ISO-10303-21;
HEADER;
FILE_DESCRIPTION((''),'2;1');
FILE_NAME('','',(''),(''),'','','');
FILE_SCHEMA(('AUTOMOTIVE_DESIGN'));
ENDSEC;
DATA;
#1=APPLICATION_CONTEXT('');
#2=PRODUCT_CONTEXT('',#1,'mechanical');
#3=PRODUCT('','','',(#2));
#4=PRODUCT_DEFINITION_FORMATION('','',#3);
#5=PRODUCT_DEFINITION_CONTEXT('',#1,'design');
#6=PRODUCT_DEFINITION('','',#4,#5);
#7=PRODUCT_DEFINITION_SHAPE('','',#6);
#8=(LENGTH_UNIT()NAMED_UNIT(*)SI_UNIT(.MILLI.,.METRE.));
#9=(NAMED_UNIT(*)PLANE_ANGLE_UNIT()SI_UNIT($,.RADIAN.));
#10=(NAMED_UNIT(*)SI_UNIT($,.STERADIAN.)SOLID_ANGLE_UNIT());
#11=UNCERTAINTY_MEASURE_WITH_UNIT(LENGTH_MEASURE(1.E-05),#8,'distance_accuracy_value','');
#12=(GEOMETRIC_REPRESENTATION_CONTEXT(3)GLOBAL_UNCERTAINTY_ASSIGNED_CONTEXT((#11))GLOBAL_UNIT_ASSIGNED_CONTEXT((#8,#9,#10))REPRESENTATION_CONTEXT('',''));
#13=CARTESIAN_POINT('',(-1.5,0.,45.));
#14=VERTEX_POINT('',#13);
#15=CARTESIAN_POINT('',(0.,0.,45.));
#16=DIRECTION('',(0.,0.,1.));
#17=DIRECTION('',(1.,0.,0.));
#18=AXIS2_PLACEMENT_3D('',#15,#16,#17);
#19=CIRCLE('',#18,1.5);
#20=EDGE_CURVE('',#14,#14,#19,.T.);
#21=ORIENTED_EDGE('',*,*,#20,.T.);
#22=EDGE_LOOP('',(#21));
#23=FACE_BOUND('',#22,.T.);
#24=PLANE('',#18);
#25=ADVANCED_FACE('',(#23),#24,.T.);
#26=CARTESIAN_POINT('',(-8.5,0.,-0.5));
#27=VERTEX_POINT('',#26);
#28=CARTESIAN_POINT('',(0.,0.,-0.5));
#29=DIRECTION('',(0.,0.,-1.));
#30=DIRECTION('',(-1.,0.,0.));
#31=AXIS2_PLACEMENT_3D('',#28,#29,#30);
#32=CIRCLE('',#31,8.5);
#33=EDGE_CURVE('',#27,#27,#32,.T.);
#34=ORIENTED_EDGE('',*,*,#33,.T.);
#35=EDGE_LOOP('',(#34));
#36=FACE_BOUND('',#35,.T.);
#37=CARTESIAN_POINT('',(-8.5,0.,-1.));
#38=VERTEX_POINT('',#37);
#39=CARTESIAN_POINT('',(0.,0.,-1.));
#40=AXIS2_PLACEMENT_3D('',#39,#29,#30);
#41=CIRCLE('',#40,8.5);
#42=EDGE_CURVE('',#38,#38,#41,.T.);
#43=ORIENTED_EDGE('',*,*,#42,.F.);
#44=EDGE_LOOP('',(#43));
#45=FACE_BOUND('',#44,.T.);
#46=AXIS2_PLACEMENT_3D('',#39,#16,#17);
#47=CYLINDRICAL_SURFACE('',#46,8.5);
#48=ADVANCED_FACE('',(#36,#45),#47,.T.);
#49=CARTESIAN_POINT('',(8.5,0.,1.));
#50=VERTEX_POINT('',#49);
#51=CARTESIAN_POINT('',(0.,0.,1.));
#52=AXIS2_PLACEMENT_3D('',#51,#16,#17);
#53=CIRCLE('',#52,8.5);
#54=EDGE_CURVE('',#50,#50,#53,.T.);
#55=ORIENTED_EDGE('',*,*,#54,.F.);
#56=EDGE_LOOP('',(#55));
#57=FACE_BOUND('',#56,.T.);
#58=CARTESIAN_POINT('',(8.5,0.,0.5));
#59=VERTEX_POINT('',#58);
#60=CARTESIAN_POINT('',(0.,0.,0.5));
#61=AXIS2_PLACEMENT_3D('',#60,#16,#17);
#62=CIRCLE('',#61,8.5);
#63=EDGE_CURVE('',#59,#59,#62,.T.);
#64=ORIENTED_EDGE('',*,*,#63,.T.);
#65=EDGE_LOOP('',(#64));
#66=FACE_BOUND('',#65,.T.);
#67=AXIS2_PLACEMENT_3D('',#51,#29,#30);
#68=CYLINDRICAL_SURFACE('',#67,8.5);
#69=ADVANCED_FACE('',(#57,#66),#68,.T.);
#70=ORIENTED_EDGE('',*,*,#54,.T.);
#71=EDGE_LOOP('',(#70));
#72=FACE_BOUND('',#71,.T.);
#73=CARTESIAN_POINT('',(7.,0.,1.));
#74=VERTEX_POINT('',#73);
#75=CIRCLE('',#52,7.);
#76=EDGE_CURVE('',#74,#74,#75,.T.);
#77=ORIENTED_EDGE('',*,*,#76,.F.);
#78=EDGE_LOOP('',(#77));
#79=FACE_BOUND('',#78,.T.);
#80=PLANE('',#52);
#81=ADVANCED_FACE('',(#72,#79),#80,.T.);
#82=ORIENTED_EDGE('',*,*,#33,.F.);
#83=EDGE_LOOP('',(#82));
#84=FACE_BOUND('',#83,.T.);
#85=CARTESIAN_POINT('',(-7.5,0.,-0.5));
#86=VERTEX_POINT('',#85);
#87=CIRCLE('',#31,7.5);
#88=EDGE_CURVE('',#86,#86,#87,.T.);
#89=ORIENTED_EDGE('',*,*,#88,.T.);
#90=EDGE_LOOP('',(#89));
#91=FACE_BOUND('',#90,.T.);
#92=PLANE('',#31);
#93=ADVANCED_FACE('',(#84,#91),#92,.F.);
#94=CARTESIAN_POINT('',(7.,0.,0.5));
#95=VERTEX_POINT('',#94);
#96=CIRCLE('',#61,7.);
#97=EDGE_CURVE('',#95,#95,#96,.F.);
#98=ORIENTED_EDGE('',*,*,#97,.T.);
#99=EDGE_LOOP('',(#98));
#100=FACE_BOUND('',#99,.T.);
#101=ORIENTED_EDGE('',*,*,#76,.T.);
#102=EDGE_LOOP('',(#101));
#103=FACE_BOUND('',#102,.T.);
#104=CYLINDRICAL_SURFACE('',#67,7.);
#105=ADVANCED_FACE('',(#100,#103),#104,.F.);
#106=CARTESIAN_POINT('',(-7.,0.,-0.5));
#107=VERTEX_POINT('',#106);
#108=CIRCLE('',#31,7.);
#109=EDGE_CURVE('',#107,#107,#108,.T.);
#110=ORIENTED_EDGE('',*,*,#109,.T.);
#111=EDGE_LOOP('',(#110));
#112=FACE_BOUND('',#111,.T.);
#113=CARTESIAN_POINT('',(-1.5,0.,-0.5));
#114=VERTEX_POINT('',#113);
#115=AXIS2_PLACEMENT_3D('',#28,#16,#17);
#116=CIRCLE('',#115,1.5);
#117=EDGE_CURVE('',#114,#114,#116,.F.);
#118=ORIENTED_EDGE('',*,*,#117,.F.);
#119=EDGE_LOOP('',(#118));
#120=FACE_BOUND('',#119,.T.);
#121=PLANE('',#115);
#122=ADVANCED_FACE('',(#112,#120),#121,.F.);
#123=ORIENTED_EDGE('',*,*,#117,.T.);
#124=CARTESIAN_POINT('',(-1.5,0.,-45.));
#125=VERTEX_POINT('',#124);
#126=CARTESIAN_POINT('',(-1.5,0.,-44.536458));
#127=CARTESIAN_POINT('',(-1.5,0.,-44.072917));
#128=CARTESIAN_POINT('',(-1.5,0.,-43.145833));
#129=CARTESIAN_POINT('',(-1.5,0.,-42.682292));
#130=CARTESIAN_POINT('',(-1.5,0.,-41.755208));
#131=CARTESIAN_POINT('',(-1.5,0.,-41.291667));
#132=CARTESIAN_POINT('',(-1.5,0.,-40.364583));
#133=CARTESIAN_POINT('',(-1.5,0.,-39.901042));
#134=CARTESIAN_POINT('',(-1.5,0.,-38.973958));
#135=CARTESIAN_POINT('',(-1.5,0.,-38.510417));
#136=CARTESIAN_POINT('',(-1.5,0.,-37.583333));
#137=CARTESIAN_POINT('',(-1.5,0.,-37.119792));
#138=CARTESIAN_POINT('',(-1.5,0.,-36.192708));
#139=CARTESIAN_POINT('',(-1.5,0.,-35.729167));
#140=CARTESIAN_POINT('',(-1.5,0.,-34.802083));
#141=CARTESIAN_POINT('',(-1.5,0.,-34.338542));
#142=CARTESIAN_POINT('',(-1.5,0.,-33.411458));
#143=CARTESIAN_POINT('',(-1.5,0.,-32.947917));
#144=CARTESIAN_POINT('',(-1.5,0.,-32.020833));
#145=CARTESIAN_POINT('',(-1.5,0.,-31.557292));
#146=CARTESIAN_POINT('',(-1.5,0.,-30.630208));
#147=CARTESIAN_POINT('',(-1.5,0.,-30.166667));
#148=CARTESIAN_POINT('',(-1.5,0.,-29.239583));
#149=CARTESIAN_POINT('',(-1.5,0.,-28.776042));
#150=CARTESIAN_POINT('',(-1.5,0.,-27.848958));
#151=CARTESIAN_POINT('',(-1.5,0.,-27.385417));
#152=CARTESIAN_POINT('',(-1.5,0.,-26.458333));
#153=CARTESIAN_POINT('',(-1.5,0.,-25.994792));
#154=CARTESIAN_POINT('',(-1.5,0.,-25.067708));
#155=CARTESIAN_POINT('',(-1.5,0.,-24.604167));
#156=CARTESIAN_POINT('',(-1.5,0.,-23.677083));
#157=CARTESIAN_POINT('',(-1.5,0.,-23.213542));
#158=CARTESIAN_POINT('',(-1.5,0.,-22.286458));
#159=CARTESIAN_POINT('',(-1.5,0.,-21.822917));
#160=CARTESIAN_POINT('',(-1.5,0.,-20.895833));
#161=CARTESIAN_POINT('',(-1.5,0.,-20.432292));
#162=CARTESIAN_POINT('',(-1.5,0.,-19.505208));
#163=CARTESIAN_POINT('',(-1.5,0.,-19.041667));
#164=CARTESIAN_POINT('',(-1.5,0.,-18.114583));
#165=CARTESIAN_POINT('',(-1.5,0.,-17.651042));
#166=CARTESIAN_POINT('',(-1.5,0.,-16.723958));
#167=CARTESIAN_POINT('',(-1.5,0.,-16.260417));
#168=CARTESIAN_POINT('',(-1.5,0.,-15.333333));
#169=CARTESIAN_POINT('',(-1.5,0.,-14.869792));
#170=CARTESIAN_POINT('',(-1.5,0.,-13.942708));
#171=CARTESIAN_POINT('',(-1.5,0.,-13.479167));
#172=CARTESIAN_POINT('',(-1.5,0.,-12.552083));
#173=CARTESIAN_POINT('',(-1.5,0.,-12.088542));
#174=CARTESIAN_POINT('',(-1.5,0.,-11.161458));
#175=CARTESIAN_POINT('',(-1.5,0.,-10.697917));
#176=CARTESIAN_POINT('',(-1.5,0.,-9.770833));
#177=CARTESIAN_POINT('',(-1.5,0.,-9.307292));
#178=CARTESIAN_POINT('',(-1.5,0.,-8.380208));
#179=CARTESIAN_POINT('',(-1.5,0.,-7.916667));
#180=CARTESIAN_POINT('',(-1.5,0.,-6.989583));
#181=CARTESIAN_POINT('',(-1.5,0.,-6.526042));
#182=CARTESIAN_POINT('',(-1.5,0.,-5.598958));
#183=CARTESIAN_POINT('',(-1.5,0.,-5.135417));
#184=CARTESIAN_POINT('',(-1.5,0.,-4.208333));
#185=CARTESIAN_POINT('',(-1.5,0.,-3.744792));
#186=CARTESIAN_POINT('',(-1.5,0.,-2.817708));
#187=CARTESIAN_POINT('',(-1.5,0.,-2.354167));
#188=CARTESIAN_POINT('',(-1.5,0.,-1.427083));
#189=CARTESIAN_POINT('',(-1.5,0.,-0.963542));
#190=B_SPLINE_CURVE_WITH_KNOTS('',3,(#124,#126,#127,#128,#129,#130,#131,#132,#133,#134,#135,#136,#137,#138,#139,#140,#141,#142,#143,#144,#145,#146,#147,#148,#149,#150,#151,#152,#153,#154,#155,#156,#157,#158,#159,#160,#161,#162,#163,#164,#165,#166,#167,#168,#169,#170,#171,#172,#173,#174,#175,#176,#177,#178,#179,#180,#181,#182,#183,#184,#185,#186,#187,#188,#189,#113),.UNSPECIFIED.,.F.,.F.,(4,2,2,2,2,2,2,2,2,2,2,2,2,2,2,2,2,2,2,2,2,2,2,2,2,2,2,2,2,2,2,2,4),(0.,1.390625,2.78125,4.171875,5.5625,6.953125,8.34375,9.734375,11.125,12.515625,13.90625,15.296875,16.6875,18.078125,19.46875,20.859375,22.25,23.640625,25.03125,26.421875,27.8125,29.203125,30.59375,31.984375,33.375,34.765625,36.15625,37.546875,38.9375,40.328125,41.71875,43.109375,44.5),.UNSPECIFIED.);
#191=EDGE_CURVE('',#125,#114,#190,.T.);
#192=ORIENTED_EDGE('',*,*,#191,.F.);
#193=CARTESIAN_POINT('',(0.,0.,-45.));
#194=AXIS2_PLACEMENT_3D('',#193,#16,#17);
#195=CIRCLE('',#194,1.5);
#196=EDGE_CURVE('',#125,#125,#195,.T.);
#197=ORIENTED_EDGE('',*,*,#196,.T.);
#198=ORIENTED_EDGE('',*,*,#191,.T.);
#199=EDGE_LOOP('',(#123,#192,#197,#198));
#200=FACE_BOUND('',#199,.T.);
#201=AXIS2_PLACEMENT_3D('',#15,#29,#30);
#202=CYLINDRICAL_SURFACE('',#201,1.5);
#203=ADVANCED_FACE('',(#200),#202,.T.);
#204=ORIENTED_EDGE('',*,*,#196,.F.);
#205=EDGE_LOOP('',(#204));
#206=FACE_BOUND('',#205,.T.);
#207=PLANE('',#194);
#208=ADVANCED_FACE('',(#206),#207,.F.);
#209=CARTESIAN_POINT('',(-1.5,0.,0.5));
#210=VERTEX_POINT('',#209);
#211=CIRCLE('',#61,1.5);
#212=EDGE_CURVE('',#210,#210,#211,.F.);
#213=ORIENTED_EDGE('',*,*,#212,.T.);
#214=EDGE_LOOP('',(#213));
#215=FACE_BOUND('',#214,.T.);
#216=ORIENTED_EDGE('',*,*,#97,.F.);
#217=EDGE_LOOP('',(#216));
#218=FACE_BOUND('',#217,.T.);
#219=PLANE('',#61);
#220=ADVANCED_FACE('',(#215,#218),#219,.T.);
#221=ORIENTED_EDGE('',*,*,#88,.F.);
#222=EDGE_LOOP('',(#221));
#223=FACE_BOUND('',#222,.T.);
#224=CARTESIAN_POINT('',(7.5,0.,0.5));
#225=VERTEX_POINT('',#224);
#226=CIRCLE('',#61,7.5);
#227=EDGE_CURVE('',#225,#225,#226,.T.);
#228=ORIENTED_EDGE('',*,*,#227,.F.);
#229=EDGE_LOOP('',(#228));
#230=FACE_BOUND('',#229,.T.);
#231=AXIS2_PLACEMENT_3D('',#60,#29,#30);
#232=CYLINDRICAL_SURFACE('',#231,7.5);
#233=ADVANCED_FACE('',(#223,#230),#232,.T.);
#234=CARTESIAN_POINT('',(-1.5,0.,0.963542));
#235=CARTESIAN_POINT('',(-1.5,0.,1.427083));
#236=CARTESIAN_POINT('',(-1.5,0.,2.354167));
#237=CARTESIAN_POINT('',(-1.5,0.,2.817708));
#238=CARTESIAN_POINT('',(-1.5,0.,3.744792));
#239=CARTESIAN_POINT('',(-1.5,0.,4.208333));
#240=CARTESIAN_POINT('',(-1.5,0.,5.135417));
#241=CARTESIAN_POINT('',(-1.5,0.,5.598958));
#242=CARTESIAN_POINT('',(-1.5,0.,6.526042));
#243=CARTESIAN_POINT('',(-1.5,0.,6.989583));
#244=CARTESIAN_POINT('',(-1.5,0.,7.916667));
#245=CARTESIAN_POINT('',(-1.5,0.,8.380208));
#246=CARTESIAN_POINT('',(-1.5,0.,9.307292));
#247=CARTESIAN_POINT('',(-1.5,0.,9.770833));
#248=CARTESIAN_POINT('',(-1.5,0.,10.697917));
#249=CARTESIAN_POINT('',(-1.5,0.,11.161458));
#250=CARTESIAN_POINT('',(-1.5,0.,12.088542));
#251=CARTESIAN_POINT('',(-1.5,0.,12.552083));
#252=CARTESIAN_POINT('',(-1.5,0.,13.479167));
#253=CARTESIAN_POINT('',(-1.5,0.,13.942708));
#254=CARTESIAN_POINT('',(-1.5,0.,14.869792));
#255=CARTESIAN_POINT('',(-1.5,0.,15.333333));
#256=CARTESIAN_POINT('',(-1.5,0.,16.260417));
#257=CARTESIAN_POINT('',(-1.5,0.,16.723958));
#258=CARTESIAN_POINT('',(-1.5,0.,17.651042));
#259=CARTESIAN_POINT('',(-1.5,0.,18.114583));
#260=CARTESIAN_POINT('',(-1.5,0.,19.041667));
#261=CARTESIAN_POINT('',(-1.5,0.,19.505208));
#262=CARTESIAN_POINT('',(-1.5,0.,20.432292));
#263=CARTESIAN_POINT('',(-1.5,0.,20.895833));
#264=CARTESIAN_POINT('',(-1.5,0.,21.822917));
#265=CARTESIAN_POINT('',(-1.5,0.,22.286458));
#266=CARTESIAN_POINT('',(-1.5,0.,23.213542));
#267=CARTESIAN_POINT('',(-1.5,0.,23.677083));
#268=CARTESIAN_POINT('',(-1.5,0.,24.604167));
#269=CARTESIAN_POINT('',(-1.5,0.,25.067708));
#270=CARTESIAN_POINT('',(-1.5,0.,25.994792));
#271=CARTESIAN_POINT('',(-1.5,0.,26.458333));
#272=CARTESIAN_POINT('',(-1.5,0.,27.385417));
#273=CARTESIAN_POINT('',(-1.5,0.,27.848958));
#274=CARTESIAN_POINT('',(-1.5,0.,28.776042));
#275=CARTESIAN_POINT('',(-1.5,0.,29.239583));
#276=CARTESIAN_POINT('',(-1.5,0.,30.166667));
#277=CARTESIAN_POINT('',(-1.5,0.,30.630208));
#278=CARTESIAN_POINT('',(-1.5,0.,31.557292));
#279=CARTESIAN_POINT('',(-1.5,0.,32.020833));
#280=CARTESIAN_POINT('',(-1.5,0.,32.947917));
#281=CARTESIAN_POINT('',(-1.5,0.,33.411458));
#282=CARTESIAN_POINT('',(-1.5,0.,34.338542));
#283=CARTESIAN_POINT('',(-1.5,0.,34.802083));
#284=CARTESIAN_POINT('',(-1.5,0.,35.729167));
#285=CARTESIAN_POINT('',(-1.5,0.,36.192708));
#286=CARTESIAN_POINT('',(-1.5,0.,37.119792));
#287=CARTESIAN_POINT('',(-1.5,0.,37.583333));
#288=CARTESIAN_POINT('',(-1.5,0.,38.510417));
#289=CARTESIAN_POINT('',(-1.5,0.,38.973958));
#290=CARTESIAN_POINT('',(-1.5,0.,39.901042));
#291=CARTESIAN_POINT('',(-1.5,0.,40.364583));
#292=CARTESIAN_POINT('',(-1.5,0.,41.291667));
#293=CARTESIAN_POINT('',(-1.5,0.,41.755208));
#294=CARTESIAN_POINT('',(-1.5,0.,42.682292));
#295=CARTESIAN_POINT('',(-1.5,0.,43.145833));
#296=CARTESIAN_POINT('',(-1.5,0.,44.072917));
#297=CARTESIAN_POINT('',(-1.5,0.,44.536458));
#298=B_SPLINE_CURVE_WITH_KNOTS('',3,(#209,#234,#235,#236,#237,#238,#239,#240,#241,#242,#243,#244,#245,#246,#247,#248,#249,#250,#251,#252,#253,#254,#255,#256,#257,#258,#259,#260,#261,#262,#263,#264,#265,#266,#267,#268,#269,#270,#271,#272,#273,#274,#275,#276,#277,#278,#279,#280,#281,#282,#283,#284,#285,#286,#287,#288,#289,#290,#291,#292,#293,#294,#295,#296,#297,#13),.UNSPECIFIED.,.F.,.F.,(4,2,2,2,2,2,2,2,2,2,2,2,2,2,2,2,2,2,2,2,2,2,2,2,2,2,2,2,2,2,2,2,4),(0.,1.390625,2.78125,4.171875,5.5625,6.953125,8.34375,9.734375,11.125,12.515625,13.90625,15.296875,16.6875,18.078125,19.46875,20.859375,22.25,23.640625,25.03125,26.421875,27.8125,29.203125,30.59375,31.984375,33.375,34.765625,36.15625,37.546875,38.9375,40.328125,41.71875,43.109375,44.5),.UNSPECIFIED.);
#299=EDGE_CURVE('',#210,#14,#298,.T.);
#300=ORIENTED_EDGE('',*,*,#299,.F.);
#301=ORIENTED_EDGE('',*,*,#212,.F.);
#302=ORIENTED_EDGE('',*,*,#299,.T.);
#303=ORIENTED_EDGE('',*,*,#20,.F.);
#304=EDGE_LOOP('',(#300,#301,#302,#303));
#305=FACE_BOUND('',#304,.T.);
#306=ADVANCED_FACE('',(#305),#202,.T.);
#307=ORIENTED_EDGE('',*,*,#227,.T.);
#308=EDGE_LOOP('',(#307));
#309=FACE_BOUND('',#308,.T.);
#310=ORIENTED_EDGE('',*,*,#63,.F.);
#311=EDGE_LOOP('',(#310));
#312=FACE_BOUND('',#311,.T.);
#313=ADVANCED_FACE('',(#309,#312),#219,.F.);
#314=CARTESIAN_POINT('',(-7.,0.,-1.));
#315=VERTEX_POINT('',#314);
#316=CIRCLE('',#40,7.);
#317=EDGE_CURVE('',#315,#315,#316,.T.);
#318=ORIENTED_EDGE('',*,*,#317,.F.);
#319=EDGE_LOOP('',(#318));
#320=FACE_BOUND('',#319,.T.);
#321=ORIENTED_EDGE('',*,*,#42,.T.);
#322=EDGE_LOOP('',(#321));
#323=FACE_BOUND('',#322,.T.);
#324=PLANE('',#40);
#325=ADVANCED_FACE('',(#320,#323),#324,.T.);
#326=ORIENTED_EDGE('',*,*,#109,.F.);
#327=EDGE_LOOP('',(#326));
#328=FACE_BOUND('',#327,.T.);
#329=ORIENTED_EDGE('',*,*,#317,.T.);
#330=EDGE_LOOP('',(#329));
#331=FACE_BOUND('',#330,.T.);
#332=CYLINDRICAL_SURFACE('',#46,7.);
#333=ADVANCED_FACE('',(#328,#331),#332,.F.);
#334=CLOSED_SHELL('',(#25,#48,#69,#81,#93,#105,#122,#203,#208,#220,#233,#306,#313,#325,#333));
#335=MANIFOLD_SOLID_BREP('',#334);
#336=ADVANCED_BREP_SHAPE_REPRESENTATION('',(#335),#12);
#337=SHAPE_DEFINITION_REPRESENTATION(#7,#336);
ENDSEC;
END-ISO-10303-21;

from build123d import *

# Parameters (mm, degrees)
SKETCH1_R           = 7.5
BOSS_EXTRUDE1_DEPTH = 0.5
SKETCH3_R           = 8.5
SKETCH3_R_2         = 7
BOSS_EXTRUDE2_DEPTH = 0.5
BOSS_EXTRUDE3_START = 0.5
SKETCH4_R           = 8.5
SKETCH4_R_2         = 7
BOSS_EXTRUDE3_DEPTH = 0.5
SKETCH6_R           = 1.5
BOSS_EXTRUDE4_DEPTH = 45


with BuildPart() as part:
    # Sketch1 → Boss-Extrude1 (new, symmetric)
    with BuildSketch(Plane.XY):
        Circle(SKETCH1_R)
    extrude(amount=BOSS_EXTRUDE1_DEPTH, both=True)

    # Sketch3 → Boss-Extrude2 (add)
    with BuildSketch(Plane.XY.offset(0.5)):
        Circle(SKETCH3_R)
        Circle(SKETCH3_R_2, mode=Mode.SUBTRACT)
    extrude(amount=BOSS_EXTRUDE2_DEPTH)

    # Sketch4 → Boss-Extrude3 (add)
    with BuildSketch(Plane(origin=(0, 0, -0.5), x_dir=(-1, 0, 0), z_dir=(0, 0, -1)).offset(BOSS_EXTRUDE3_START)):
        with Locations(Location((0, 0, 0), (0, 0, 180))):
            Circle(SKETCH4_R)
        with Locations(Location((0, 0, 0), (0, 0, 180))):
            Circle(SKETCH4_R_2, mode=Mode.SUBTRACT)
    extrude(amount=-BOSS_EXTRUDE3_DEPTH)

    # Sketch6 → Boss-Extrude4 (add, symmetric)
    with BuildSketch(Plane.XY):
        with Locations(Location((0, 0, 0), (0, 0, 180))):
            Circle(SKETCH6_R)
    extrude(amount=BOSS_EXTRUDE4_DEPTH, both=True)


solid = part.part
